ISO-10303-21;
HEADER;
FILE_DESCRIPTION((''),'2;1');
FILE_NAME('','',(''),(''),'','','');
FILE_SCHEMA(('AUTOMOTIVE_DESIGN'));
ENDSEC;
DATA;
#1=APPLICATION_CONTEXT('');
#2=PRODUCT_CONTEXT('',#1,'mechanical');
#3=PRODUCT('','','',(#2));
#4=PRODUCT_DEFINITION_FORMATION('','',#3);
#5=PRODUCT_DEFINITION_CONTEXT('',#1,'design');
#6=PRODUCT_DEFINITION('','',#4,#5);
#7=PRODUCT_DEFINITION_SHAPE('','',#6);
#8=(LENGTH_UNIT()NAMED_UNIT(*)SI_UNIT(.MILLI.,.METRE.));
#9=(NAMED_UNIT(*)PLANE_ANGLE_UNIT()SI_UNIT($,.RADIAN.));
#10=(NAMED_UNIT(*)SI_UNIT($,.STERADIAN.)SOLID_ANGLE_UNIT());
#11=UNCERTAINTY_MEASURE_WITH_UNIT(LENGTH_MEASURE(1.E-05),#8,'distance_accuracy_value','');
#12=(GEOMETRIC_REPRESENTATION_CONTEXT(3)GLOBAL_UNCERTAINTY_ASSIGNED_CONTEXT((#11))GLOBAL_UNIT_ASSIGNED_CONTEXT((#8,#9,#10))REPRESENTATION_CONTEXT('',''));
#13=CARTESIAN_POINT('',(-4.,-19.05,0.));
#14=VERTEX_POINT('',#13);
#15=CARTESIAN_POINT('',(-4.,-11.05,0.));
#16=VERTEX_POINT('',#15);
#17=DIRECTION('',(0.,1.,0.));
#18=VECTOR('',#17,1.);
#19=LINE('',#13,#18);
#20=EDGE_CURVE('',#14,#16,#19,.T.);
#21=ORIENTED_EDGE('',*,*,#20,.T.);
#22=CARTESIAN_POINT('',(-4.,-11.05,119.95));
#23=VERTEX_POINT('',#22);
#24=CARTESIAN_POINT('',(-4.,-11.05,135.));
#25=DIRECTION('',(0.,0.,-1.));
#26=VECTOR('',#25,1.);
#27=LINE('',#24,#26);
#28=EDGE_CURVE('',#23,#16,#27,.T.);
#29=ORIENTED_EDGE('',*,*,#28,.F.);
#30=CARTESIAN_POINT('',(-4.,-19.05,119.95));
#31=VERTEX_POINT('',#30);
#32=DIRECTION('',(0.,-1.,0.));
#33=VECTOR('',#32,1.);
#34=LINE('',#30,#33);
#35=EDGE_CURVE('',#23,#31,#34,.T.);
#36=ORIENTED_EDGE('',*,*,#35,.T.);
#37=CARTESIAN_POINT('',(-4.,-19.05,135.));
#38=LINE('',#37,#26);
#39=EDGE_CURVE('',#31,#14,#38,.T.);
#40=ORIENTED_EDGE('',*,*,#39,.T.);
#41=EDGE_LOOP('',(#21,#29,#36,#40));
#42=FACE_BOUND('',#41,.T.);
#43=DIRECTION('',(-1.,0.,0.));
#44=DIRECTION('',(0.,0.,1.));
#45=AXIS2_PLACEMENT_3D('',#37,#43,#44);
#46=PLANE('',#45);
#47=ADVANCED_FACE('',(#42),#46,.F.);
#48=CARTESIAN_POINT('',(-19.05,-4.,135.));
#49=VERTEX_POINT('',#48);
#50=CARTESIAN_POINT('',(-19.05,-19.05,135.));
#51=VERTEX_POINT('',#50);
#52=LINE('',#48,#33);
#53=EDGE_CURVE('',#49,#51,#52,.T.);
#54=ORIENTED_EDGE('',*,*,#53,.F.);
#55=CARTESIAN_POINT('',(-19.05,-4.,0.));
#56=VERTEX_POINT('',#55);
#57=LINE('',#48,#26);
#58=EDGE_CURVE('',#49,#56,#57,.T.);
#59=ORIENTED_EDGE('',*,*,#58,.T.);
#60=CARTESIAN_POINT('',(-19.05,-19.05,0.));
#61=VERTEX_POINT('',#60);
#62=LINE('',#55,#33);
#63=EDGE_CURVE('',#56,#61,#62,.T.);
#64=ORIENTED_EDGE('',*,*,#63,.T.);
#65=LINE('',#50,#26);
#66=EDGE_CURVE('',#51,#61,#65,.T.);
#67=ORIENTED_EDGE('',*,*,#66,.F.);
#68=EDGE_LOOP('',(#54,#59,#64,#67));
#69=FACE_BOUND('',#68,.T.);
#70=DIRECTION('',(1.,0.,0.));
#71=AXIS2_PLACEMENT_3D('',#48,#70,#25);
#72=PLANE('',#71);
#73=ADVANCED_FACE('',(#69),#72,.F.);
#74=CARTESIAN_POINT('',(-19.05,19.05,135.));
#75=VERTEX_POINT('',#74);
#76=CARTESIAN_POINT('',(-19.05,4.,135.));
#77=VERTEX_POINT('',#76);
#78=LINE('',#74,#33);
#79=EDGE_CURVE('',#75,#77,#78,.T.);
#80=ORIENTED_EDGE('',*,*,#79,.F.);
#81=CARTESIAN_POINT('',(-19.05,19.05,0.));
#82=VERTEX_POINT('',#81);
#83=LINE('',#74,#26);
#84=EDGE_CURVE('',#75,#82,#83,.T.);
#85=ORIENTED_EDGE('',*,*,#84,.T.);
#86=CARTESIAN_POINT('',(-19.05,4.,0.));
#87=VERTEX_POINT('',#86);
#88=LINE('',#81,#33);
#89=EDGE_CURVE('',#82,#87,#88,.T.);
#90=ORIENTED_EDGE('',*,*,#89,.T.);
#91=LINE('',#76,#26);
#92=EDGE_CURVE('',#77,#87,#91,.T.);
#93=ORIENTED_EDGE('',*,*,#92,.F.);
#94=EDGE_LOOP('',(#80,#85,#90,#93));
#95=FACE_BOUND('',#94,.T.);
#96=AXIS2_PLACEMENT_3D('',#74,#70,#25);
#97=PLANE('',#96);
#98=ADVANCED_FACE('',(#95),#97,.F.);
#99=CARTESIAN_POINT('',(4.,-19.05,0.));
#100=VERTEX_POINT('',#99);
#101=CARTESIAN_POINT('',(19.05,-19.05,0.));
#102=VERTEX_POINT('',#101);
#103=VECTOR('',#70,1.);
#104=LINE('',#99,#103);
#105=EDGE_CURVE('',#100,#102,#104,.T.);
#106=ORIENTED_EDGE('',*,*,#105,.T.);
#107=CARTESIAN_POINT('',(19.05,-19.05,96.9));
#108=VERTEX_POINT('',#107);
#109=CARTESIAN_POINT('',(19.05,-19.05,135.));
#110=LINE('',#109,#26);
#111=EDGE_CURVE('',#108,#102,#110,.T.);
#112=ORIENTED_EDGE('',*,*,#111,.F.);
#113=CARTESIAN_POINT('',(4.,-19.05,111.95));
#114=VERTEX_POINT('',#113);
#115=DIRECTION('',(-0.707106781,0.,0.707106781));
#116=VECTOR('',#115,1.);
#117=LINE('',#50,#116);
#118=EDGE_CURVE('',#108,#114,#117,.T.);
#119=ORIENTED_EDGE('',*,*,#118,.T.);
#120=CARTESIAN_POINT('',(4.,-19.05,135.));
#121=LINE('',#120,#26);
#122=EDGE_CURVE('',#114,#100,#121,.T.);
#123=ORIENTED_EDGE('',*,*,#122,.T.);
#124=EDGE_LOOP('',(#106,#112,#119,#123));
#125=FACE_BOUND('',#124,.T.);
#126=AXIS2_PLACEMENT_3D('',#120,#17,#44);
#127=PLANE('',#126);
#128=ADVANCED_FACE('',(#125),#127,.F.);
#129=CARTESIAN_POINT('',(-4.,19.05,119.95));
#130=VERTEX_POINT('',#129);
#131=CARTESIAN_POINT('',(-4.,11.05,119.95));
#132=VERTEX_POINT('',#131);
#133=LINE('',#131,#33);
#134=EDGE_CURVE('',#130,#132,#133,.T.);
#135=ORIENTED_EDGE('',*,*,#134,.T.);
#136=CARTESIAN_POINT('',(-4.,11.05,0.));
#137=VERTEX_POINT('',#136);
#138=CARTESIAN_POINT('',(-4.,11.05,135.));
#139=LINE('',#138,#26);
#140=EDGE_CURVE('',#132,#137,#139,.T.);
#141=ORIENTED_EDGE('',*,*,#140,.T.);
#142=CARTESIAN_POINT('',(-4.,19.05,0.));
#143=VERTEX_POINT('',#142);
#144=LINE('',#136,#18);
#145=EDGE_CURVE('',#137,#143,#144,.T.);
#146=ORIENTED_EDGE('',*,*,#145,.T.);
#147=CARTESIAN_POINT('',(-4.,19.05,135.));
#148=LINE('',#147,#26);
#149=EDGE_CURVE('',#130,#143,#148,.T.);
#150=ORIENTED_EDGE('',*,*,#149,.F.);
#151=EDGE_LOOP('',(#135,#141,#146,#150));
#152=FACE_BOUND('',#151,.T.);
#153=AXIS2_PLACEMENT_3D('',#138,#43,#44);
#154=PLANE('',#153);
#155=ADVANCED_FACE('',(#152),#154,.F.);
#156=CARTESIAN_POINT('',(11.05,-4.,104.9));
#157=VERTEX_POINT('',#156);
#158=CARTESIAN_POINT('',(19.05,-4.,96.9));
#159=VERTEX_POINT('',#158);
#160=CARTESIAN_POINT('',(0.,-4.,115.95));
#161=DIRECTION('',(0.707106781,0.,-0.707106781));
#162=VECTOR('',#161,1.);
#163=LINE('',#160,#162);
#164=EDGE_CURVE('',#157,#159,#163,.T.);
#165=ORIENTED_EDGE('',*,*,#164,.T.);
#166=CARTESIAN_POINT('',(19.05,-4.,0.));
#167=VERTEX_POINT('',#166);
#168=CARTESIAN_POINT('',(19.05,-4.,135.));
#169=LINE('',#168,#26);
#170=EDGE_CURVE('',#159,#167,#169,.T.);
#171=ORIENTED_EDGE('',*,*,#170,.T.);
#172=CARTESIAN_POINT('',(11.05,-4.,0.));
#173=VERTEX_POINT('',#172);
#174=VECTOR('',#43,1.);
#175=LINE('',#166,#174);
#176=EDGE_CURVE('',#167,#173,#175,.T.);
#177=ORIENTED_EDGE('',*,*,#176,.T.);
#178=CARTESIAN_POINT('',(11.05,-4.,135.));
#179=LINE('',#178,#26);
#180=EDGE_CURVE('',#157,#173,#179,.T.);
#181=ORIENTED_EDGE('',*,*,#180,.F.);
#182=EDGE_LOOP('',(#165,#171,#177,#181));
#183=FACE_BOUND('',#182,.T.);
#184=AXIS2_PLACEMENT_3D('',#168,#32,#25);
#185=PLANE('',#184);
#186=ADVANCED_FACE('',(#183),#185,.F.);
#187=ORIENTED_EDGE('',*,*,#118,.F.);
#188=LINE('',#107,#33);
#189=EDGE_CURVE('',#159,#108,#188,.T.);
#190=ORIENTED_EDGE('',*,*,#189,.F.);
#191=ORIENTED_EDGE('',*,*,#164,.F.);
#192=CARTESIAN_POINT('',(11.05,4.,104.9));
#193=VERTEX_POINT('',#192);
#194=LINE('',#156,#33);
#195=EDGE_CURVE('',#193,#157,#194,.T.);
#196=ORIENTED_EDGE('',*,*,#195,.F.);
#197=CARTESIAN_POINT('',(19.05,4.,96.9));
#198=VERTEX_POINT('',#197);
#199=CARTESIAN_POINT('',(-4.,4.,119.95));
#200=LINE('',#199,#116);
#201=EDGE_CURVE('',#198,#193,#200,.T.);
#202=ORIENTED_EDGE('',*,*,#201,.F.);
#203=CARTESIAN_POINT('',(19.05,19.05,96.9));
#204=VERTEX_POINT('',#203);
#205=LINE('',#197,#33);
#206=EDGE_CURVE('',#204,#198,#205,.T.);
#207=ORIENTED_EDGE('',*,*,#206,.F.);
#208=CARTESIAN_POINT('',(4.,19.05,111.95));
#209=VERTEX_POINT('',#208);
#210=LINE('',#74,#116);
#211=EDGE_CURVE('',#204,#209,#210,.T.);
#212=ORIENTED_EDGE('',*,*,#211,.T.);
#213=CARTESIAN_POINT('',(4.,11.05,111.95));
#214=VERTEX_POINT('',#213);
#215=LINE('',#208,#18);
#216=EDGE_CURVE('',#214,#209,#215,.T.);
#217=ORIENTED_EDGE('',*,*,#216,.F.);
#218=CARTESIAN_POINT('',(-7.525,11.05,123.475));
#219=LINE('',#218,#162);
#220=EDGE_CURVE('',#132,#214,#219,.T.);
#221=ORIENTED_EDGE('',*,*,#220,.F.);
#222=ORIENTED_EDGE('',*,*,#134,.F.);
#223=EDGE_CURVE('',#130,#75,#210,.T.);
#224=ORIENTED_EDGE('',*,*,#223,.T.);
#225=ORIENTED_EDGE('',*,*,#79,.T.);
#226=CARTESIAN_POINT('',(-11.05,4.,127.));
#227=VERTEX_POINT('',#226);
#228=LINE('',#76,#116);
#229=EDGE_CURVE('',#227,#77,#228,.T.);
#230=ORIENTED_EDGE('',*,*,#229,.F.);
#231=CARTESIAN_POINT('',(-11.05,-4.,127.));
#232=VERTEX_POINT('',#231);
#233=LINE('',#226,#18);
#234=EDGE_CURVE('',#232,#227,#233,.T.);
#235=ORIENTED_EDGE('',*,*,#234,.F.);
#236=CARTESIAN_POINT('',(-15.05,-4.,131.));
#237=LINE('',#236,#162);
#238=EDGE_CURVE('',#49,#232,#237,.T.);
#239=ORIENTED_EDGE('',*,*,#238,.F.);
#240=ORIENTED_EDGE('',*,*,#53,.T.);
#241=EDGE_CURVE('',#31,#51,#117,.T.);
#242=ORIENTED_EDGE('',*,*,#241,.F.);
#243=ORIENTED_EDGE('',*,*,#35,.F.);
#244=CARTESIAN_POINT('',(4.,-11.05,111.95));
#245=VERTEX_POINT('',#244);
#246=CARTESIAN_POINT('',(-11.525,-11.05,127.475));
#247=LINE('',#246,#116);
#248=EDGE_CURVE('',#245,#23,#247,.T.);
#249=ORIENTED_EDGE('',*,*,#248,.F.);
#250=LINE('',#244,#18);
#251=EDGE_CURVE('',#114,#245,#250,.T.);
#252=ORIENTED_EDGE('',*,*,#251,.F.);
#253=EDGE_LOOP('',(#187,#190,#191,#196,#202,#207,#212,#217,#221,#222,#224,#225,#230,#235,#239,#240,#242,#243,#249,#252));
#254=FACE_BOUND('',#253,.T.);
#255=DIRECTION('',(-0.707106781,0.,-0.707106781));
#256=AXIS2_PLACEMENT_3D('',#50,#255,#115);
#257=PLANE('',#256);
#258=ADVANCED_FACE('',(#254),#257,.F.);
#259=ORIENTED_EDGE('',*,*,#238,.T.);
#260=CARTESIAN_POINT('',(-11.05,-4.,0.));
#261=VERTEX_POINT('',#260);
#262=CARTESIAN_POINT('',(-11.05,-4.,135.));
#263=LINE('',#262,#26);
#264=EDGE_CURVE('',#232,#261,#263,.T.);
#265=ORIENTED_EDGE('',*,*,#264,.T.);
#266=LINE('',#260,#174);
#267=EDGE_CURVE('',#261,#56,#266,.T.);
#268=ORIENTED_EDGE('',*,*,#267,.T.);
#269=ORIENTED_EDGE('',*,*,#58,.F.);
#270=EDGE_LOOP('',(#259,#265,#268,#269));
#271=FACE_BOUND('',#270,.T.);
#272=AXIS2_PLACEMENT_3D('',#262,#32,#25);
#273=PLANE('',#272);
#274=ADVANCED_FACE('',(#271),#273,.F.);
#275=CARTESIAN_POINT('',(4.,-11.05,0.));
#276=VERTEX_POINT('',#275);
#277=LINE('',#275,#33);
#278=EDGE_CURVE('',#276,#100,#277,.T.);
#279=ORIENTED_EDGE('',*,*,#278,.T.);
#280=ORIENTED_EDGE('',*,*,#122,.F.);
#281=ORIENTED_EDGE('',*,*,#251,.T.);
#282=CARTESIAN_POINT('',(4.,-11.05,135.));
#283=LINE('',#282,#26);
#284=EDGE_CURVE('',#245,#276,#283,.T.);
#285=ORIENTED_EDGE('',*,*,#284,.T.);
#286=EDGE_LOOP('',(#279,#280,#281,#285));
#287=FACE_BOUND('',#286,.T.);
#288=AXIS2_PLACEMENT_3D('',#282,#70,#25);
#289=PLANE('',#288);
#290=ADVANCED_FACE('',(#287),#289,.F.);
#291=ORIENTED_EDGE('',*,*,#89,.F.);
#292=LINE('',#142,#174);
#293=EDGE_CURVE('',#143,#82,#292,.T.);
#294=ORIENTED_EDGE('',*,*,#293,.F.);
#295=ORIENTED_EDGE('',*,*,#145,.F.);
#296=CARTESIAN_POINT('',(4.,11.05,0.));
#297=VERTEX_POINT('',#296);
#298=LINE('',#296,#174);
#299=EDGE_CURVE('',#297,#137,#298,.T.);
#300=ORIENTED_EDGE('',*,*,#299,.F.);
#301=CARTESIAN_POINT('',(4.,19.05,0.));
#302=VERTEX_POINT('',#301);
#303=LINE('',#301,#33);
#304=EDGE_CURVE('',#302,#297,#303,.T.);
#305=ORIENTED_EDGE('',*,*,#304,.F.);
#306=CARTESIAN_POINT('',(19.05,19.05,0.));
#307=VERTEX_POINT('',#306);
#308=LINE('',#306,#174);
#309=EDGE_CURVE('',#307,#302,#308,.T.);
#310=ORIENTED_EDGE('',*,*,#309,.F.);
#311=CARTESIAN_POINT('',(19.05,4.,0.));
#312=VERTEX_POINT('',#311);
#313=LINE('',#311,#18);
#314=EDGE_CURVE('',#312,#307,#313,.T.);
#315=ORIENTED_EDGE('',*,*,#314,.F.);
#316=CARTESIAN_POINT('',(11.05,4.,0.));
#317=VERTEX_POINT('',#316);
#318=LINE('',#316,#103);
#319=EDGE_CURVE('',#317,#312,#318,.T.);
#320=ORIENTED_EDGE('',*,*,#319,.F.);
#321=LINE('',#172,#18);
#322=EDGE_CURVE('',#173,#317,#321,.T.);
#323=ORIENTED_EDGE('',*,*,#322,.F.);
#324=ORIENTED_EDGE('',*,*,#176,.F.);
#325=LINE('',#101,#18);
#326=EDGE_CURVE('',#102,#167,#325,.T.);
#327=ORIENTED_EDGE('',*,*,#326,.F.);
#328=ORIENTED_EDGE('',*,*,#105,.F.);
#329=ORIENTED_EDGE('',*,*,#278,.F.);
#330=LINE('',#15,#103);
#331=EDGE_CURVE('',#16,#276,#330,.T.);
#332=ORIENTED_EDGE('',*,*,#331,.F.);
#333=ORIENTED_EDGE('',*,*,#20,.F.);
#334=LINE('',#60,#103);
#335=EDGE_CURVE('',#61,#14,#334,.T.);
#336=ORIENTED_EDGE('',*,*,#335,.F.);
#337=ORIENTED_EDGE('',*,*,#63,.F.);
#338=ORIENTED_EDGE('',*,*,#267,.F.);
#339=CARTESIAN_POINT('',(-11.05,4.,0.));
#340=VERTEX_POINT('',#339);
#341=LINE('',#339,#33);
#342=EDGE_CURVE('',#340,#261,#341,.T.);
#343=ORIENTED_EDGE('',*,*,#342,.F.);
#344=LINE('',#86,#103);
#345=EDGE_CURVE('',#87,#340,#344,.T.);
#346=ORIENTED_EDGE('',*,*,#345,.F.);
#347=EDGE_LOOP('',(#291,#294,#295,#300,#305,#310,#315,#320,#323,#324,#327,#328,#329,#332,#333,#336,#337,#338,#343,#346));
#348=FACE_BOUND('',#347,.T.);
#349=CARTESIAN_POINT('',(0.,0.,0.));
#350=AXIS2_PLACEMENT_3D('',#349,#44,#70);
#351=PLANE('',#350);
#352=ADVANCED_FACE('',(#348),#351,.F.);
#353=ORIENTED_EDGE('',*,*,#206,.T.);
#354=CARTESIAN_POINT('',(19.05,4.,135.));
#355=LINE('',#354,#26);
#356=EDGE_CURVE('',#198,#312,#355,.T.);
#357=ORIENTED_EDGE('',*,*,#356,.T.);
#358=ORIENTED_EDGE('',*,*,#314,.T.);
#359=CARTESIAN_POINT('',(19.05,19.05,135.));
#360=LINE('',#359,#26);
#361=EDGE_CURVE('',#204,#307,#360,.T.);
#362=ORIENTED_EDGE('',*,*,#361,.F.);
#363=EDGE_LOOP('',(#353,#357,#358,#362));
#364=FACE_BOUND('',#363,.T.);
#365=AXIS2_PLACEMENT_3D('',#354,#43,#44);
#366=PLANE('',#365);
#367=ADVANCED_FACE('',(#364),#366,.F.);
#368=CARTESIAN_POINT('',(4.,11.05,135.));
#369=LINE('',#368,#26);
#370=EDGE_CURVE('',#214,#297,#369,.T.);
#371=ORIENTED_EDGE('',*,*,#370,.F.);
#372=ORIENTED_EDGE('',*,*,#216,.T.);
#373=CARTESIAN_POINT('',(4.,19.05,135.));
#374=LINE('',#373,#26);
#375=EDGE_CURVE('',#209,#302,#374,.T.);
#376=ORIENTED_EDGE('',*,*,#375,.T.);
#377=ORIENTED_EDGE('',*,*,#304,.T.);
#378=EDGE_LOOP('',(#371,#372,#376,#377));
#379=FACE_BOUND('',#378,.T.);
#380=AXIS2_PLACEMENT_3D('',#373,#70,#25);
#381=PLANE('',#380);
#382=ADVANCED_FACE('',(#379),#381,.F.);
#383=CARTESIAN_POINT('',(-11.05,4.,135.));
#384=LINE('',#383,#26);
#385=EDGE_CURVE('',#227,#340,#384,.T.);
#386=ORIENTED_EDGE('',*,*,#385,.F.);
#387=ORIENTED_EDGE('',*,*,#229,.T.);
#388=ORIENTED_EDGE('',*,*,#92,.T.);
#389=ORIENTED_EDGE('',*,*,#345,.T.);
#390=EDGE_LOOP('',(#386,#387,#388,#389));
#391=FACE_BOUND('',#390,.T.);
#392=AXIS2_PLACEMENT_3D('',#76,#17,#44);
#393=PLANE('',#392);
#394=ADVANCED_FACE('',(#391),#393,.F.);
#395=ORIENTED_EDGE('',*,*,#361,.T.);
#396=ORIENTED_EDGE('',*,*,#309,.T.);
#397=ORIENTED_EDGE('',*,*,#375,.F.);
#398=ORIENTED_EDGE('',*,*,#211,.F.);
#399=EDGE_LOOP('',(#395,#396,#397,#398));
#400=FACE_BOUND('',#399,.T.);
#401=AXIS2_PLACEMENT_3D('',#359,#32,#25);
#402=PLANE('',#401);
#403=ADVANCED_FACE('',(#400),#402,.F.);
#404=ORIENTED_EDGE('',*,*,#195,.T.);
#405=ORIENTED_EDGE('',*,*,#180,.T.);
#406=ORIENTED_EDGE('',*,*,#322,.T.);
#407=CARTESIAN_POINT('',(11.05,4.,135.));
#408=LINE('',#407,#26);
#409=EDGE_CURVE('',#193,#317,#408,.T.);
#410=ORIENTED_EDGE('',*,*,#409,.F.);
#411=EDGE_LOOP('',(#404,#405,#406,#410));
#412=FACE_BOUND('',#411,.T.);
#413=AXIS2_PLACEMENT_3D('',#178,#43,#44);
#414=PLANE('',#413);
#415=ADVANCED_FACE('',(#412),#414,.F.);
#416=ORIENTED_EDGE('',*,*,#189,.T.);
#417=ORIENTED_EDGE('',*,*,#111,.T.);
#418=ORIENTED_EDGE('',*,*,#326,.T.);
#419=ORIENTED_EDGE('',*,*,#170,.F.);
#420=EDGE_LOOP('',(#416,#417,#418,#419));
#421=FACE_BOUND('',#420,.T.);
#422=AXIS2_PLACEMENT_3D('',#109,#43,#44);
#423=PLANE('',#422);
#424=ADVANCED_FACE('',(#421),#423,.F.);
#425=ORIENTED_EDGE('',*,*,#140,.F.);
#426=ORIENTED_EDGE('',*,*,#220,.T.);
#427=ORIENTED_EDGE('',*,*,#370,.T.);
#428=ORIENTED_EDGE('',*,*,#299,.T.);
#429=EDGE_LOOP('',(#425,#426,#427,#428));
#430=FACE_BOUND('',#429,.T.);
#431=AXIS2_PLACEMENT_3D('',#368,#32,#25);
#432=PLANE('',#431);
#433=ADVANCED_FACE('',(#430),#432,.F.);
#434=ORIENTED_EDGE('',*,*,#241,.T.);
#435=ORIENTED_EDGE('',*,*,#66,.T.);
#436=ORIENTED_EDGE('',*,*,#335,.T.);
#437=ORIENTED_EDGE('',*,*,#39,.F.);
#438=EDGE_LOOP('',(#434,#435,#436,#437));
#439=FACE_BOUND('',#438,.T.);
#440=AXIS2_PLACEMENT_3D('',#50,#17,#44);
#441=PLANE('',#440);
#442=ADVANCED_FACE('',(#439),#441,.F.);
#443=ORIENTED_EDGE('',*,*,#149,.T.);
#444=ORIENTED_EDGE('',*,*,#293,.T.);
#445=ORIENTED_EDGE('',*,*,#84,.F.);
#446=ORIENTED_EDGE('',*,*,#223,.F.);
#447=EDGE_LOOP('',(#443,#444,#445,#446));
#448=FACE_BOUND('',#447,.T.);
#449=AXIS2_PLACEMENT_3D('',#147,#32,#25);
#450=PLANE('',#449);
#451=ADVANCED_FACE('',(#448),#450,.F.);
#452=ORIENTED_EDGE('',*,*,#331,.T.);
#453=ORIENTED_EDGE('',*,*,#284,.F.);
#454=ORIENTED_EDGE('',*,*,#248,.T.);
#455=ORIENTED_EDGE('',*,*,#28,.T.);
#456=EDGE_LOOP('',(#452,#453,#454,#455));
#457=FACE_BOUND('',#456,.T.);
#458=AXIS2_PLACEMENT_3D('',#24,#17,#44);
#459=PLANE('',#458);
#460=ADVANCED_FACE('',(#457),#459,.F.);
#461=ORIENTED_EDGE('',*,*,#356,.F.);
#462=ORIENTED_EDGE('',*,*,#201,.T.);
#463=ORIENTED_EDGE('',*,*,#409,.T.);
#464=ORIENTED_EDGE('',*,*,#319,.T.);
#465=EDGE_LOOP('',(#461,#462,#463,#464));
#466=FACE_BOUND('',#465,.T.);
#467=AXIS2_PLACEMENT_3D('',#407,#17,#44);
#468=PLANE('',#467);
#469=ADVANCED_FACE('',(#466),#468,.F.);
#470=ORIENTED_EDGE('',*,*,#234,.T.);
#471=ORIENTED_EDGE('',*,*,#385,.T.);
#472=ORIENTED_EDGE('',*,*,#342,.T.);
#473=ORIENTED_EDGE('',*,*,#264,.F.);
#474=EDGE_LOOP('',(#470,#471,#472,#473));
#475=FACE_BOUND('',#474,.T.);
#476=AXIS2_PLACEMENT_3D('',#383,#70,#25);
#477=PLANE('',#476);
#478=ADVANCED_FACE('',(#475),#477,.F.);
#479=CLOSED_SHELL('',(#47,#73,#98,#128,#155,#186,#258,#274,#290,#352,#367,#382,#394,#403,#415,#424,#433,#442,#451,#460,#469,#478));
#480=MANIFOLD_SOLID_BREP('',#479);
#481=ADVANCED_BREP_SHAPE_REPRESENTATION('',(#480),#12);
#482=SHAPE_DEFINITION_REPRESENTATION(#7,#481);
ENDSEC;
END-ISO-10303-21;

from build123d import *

# Parameters (mm, degrees)
PROFILE_DEPTH     = 135
MITER1_DEPTH      = 138.66192284
MITER1_DEPTH_BACK = 138.66192284


with BuildPart() as part:
    # Sketch1 → Profile (new body)
    with BuildSketch(Plane.XY):
        Polygon((-19.05, -19.05), (-4, -19.05), (-4, -11.05), (4, -11.05), (4, -19.05), (19.05, -19.05), (19.05, -4), (11.05, -4), (11.05, 4), (19.05, 4), (19.05, 19.05), (4, 19.05), (4, 11.05), (-4, 11.05), (-4, 19.05), (-19.05, 19.05), (-19.05, 4), (-11.05, 4), (-11.05, -4), (-19.05, -4), align=None)
    extrude(amount=PROFILE_DEPTH)

    # Sketch2 → Miter1 (cut, two sides: drawn at the far end of the back side and taken through both)
    with BuildSketch(Plane(origin=(0, 0, 0), x_dir=(1, 0, 0), z_dir=(0, 1, 0)).offset(-MITER1_DEPTH_BACK)):
        Polygon((-19.05, -135), (25, -90.95), (25, -145), align=None)
    extrude(amount=MITER1_DEPTH + MITER1_DEPTH_BACK, mode=Mode.SUBTRACT)


solid = part.part
